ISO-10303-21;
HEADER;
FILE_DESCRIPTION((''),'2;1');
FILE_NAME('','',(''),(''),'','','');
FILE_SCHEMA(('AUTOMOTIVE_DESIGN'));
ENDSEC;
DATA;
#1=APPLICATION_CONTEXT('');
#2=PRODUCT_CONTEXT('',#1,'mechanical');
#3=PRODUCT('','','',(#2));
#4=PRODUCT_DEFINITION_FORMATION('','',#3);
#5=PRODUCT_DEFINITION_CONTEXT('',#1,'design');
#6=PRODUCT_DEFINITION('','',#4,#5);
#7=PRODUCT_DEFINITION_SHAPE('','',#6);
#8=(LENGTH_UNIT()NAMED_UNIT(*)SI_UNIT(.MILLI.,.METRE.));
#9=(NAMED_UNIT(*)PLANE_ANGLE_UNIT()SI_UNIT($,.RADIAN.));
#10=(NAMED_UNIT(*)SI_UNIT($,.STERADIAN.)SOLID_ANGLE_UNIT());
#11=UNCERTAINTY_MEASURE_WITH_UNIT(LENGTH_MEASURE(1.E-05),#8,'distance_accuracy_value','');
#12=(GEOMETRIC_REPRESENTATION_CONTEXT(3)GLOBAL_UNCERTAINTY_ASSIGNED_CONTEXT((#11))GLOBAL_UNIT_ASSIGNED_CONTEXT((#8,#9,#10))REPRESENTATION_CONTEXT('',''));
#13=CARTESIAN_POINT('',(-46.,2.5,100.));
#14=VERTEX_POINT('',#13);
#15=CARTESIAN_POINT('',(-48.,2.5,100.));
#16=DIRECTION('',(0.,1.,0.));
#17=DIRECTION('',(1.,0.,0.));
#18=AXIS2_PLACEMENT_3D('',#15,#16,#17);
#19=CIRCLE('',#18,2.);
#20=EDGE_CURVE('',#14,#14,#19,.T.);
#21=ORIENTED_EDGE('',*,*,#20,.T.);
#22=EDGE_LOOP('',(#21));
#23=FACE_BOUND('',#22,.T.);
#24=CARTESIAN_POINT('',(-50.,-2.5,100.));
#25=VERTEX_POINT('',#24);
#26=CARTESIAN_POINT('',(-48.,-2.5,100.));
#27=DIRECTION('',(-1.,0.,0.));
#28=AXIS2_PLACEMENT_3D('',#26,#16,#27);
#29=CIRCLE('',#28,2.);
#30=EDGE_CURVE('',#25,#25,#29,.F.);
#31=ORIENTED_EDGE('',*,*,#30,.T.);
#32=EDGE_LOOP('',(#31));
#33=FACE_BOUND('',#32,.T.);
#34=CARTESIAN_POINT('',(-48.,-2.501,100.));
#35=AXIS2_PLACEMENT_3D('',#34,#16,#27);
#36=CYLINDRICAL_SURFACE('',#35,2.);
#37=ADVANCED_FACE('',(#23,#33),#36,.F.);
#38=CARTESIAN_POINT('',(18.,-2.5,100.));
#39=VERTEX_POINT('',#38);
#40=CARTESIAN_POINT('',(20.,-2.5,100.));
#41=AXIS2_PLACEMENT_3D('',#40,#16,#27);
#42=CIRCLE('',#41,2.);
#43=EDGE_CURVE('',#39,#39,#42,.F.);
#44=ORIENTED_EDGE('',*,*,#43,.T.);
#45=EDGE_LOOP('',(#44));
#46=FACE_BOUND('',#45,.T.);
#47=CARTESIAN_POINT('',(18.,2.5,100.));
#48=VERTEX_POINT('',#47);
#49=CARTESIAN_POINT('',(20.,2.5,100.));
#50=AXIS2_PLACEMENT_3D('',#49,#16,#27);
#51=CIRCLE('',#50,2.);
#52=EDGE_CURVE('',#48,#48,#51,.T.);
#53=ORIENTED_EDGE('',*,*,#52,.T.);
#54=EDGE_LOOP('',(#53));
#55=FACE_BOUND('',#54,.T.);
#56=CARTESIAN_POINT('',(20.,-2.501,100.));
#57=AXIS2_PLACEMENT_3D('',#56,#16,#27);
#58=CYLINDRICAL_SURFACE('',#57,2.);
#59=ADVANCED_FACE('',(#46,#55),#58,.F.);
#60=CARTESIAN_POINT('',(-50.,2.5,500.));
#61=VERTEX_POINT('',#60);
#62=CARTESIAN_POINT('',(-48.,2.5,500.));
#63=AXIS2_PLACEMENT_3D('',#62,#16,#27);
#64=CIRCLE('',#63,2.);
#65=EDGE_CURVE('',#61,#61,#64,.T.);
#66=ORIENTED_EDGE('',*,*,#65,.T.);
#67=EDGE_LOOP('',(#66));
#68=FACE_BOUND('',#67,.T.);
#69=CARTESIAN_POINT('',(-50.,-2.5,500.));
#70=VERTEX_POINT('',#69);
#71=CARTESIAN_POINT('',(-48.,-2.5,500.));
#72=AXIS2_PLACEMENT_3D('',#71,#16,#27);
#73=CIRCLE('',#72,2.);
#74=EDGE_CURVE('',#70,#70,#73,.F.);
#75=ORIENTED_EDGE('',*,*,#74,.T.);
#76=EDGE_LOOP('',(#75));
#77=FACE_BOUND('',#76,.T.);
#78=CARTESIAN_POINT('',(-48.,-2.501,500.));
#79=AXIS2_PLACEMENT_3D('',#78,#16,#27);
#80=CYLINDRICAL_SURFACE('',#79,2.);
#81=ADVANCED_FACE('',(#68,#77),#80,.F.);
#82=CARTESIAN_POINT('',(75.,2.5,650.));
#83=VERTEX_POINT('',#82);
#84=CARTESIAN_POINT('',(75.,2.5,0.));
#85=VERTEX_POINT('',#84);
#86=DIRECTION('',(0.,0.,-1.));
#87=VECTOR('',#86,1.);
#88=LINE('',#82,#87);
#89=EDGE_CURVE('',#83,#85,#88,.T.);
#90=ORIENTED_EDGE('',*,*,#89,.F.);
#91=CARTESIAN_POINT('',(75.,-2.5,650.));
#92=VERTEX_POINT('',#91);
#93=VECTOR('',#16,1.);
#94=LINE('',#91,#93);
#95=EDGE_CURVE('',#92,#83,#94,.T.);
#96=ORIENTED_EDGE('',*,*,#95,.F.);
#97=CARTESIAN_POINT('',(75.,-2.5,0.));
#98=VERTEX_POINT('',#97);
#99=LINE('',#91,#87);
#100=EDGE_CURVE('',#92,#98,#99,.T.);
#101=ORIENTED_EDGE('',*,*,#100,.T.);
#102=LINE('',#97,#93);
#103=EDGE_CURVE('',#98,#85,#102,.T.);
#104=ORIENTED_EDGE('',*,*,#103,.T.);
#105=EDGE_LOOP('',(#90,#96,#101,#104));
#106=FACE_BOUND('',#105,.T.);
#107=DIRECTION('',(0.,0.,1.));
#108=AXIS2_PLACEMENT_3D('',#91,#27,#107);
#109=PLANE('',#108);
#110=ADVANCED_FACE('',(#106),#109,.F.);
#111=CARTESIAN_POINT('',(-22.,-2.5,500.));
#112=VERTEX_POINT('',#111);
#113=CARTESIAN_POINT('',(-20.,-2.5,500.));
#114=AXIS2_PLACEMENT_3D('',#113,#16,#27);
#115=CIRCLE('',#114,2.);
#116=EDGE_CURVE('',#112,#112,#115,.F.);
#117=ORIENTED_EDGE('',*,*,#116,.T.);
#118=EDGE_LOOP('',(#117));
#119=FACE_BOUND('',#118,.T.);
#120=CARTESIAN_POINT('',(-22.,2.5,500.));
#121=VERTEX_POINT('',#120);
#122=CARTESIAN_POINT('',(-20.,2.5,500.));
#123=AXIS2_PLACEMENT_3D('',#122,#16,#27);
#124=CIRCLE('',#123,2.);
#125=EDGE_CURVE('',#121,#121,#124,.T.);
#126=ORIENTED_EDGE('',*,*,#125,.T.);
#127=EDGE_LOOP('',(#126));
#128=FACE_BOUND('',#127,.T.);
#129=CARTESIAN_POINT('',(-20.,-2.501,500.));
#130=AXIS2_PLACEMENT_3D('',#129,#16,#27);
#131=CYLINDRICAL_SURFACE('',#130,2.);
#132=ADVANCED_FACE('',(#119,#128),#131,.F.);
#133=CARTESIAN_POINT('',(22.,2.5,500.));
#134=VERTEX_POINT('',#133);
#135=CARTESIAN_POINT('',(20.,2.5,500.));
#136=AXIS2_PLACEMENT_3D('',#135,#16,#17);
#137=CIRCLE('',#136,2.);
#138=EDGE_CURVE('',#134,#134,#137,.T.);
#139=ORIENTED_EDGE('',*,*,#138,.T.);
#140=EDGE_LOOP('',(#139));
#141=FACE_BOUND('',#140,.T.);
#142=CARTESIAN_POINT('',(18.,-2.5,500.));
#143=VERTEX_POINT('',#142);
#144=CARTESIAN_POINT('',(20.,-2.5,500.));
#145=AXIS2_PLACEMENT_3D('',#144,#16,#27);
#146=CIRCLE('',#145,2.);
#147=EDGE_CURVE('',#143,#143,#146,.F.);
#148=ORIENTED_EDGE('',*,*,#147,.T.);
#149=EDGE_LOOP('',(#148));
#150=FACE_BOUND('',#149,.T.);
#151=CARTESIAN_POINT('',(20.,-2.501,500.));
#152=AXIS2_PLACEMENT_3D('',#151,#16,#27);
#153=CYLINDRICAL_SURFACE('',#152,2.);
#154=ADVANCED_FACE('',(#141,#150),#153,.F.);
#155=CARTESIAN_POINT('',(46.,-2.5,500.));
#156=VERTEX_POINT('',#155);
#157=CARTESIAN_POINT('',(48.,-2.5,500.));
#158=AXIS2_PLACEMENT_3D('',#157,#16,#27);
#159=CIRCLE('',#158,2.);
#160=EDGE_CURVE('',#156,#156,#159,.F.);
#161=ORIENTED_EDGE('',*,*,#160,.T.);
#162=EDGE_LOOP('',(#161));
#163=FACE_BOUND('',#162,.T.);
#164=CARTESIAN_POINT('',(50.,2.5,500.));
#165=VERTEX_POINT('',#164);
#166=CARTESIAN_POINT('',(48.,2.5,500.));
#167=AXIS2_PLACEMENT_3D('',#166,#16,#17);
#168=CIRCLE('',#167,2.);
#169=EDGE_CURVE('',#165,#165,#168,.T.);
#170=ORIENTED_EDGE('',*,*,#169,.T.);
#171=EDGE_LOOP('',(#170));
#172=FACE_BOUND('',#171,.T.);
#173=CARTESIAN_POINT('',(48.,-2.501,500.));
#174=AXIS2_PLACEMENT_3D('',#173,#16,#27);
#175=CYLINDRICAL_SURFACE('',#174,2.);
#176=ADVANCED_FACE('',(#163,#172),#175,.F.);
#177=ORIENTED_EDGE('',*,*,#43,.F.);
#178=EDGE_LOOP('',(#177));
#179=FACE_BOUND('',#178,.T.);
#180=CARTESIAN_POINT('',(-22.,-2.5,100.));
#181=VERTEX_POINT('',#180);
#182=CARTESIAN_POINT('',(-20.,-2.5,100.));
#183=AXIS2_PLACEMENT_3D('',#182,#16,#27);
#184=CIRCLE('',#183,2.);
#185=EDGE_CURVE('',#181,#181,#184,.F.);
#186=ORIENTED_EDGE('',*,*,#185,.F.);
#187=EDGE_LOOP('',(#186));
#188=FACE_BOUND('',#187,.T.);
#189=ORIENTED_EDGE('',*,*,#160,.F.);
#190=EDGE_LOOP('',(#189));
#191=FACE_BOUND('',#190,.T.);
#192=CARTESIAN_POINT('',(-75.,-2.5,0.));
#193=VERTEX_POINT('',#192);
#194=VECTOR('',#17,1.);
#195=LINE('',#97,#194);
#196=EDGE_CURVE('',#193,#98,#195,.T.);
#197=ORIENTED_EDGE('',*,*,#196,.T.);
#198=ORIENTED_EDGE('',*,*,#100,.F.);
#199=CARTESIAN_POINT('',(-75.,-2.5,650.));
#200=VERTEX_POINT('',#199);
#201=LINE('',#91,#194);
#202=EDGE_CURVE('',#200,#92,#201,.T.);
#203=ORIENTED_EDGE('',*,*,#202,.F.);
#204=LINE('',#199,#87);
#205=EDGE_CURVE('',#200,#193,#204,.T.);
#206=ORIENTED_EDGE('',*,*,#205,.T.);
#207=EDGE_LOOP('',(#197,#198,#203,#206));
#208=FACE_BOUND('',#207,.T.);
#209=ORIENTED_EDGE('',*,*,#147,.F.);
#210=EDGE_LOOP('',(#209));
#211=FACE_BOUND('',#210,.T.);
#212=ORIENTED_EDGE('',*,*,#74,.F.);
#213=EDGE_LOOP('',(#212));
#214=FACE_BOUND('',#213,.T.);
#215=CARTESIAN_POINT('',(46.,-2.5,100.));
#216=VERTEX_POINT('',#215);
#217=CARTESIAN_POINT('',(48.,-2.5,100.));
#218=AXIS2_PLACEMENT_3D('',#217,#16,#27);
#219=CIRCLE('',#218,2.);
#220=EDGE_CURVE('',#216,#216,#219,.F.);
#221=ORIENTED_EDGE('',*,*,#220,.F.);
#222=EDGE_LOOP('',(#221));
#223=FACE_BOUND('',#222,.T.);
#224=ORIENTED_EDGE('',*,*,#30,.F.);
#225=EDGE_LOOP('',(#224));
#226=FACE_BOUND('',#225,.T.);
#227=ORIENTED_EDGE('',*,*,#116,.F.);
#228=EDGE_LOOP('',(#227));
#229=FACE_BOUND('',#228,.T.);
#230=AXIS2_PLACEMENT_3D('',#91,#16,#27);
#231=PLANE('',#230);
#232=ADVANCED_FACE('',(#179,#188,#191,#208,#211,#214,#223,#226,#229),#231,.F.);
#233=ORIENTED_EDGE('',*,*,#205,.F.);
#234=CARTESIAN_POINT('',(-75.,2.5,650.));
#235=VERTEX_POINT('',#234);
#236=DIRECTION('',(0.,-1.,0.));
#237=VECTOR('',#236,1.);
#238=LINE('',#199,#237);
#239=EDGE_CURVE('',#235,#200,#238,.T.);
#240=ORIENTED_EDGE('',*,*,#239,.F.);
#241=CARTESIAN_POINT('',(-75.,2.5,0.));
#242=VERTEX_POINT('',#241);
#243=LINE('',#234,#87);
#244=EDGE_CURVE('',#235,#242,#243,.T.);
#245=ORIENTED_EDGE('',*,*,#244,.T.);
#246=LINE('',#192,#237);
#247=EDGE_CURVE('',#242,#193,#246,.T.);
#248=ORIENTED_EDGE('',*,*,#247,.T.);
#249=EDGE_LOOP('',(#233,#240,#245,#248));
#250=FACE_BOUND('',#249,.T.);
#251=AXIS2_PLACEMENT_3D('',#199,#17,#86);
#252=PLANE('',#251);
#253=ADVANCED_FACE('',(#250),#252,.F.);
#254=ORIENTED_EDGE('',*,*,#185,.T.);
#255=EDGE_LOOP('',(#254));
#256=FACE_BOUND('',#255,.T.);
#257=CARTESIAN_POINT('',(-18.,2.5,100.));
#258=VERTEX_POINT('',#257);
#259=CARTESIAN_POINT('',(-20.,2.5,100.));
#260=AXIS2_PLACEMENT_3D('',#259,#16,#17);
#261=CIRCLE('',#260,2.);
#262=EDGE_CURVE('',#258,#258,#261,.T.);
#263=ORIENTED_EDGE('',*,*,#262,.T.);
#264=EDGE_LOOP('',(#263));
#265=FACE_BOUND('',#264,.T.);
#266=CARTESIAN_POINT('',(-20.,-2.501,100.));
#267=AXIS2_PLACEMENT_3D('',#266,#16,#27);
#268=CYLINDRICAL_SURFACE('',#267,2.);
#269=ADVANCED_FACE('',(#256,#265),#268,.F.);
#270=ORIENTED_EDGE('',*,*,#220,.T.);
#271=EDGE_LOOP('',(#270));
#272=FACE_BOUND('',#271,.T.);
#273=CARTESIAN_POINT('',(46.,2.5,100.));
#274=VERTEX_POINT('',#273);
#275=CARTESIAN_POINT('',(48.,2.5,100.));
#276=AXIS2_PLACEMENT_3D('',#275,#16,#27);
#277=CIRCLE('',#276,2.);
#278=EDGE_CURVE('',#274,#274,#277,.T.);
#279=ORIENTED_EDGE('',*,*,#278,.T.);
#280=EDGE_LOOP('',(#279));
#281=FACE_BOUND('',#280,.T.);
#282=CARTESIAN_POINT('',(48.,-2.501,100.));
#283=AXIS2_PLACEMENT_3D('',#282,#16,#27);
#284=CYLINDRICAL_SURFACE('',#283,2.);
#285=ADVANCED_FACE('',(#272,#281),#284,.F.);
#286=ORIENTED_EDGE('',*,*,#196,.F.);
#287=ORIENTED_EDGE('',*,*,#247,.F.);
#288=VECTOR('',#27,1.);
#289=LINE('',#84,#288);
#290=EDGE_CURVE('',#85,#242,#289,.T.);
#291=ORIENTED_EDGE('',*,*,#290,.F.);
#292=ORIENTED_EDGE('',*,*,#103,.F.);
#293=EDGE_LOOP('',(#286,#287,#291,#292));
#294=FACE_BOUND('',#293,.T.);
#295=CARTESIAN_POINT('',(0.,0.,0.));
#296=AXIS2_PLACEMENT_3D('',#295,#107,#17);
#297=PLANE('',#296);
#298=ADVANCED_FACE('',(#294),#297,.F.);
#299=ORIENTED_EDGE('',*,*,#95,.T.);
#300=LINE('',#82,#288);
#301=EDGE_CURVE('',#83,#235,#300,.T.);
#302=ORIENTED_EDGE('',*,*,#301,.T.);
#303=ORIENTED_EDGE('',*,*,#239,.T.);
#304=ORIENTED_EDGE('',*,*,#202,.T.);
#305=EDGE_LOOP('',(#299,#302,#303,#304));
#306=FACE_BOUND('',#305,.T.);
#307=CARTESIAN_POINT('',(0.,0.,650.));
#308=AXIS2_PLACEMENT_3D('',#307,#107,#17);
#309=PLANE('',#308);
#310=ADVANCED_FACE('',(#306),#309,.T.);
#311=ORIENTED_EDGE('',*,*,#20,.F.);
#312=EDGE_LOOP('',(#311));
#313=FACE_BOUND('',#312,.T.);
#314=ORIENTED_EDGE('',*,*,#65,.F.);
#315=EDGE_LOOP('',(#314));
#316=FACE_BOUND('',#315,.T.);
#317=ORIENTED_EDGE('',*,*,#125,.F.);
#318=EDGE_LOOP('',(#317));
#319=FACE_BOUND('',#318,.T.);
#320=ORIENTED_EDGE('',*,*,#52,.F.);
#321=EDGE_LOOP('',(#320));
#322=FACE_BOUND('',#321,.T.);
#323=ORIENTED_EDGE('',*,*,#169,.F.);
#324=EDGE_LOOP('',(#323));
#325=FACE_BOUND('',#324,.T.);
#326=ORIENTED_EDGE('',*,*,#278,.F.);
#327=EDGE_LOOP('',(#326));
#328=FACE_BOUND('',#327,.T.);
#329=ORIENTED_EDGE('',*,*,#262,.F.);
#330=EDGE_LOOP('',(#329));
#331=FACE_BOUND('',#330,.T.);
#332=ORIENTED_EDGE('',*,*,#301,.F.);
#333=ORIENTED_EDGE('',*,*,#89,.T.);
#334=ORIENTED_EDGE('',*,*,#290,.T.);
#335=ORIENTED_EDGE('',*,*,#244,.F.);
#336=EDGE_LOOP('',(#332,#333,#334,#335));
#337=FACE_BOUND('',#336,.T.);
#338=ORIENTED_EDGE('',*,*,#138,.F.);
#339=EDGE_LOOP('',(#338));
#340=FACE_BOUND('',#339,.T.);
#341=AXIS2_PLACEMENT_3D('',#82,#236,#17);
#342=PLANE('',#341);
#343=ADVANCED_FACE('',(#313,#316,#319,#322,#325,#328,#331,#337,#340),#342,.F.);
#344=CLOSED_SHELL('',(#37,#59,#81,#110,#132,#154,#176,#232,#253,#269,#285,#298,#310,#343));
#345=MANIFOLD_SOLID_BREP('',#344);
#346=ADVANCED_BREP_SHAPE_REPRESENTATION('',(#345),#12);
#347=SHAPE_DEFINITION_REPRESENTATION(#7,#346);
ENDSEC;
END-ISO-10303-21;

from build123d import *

# Parameters (mm, degrees)
SKETCH1_W           = 150
SKETCH1_H           = 5
BOSS_EXTRUDE1_DEPTH = 650
CUT_EXTRUDE1_REACH  = 656.332
SKETCH2_R           = 2


with BuildPart() as part:
    # Sketch1 → Boss-Extrude1 (new body)
    with BuildSketch(Plane.XY):
        Rectangle(SKETCH1_W, SKETCH1_H)
    extrude(amount=BOSS_EXTRUDE1_DEPTH)

    # Sketch2 → Cut-Extrude1 (cut, up to next)
    with BuildSketch(Plane(origin=(0, 2.5, 0), x_dir=(1, 0, 0), z_dir=(0, 1, 0)), mode=Mode.PRIVATE) as cut_extrude1_sk1:
        with Locations(Location((-20, -500, 0), (0, 0, 180))):
            Circle(SKETCH2_R)
    cut_extrude1_tool1 = extrude(cut_extrude1_sk1.sketch, amount=-CUT_EXTRUDE1_REACH, mode=Mode.PRIVATE) & part.part
    # Sketch2 → Cut-Extrude1 (cut, up to next)
    with BuildSketch(Plane(origin=(0, 2.5, 0), x_dir=(1, 0, 0), z_dir=(0, 1, 0)), mode=Mode.PRIVATE) as cut_extrude1_sk2:
        with Locations(Location((-48, -500, 0), (0, 0, 180))):
            Circle(SKETCH2_R)
    cut_extrude1_tool2 = extrude(cut_extrude1_sk2.sketch, amount=-CUT_EXTRUDE1_REACH, mode=Mode.PRIVATE) & part.part
    # Sketch2 → Cut-Extrude1 (cut, up to next)
    with BuildSketch(Plane(origin=(0, 2.5, 0), x_dir=(1, 0, 0), z_dir=(0, 1, 0)), mode=Mode.PRIVATE) as cut_extrude1_sk3:
        with Locations(Location((48, -500, 0), (0, 0, 180))):
            Circle(SKETCH2_R)
    cut_extrude1_tool3 = extrude(cut_extrude1_sk3.sketch, amount=-CUT_EXTRUDE1_REACH, mode=Mode.PRIVATE) & part.part
    # Sketch2 → Cut-Extrude1 (cut, up to next)
    with BuildSketch(Plane(origin=(0, 2.5, 0), x_dir=(1, 0, 0), z_dir=(0, 1, 0)), mode=Mode.PRIVATE) as cut_extrude1_sk4:
        with Locations(Location((20, -500, 0), (0, 0, 180))):
            Circle(SKETCH2_R)
    cut_extrude1_tool4 = extrude(cut_extrude1_sk4.sketch, amount=-CUT_EXTRUDE1_REACH, mode=Mode.PRIVATE) & part.part
    # Sketch2 → Cut-Extrude1 (cut, up to next)
    with BuildSketch(Plane(origin=(0, 2.5, 0), x_dir=(1, 0, 0), z_dir=(0, 1, 0)), mode=Mode.PRIVATE) as cut_extrude1_sk5:
        with Locations(Location((48, -100, 0), (0, 0, 180))):
            Circle(SKETCH2_R)
    cut_extrude1_tool5 = extrude(cut_extrude1_sk5.sketch, amount=-CUT_EXTRUDE1_REACH, mode=Mode.PRIVATE) & part.part
    # Sketch2 → Cut-Extrude1 (cut, up to next)
    with BuildSketch(Plane(origin=(0, 2.5, 0), x_dir=(1, 0, 0), z_dir=(0, 1, 0)), mode=Mode.PRIVATE) as cut_extrude1_sk6:
        with Locations(Location((20, -100, 0), (0, 0, 180))):
            Circle(SKETCH2_R)
    cut_extrude1_tool6 = extrude(cut_extrude1_sk6.sketch, amount=-CUT_EXTRUDE1_REACH, mode=Mode.PRIVATE) & part.part
    # Sketch2 → Cut-Extrude1 (cut, up to next)
    with BuildSketch(Plane(origin=(0, 2.5, 0), x_dir=(1, 0, 0), z_dir=(0, 1, 0)), mode=Mode.PRIVATE) as cut_extrude1_sk7:
        with Locations(Location((-20, -100, 0), (0, 0, 180))):
            Circle(SKETCH2_R)
    cut_extrude1_tool7 = extrude(cut_extrude1_sk7.sketch, amount=-CUT_EXTRUDE1_REACH, mode=Mode.PRIVATE) & part.part
    # Sketch2 → Cut-Extrude1 (cut, up to next)
    with BuildSketch(Plane(origin=(0, 2.5, 0), x_dir=(1, 0, 0), z_dir=(0, 1, 0)), mode=Mode.PRIVATE) as cut_extrude1_sk8:
        with Locations(Location((-48, -100, 0), (0, 0, 180))):
            Circle(SKETCH2_R)
    cut_extrude1_tool8 = extrude(cut_extrude1_sk8.sketch, amount=-CUT_EXTRUDE1_REACH, mode=Mode.PRIVATE) & part.part
    add(cut_extrude1_tool1.solids().sort_by_distance((-20, 2.5, 500))[0], mode=Mode.SUBTRACT)
    add(cut_extrude1_tool2.solids().sort_by_distance((-48, 2.5, 500))[0], mode=Mode.SUBTRACT)
    add(cut_extrude1_tool3.solids().sort_by_distance((48, 2.5, 500))[0], mode=Mode.SUBTRACT)
    add(cut_extrude1_tool4.solids().sort_by_distance((20, 2.5, 500))[0], mode=Mode.SUBTRACT)
    add(cut_extrude1_tool5.solids().sort_by_distance((48, 2.5, 100))[0], mode=Mode.SUBTRACT)
    add(cut_extrude1_tool6.solids().sort_by_distance((20, 2.5, 100))[0], mode=Mode.SUBTRACT)
    add(cut_extrude1_tool7.solids().sort_by_distance((-20, 2.5, 100))[0], mode=Mode.SUBTRACT)
    add(cut_extrude1_tool8.solids().sort_by_distance((-48, 2.5, 100))[0], mode=Mode.SUBTRACT)


solid = part.part
